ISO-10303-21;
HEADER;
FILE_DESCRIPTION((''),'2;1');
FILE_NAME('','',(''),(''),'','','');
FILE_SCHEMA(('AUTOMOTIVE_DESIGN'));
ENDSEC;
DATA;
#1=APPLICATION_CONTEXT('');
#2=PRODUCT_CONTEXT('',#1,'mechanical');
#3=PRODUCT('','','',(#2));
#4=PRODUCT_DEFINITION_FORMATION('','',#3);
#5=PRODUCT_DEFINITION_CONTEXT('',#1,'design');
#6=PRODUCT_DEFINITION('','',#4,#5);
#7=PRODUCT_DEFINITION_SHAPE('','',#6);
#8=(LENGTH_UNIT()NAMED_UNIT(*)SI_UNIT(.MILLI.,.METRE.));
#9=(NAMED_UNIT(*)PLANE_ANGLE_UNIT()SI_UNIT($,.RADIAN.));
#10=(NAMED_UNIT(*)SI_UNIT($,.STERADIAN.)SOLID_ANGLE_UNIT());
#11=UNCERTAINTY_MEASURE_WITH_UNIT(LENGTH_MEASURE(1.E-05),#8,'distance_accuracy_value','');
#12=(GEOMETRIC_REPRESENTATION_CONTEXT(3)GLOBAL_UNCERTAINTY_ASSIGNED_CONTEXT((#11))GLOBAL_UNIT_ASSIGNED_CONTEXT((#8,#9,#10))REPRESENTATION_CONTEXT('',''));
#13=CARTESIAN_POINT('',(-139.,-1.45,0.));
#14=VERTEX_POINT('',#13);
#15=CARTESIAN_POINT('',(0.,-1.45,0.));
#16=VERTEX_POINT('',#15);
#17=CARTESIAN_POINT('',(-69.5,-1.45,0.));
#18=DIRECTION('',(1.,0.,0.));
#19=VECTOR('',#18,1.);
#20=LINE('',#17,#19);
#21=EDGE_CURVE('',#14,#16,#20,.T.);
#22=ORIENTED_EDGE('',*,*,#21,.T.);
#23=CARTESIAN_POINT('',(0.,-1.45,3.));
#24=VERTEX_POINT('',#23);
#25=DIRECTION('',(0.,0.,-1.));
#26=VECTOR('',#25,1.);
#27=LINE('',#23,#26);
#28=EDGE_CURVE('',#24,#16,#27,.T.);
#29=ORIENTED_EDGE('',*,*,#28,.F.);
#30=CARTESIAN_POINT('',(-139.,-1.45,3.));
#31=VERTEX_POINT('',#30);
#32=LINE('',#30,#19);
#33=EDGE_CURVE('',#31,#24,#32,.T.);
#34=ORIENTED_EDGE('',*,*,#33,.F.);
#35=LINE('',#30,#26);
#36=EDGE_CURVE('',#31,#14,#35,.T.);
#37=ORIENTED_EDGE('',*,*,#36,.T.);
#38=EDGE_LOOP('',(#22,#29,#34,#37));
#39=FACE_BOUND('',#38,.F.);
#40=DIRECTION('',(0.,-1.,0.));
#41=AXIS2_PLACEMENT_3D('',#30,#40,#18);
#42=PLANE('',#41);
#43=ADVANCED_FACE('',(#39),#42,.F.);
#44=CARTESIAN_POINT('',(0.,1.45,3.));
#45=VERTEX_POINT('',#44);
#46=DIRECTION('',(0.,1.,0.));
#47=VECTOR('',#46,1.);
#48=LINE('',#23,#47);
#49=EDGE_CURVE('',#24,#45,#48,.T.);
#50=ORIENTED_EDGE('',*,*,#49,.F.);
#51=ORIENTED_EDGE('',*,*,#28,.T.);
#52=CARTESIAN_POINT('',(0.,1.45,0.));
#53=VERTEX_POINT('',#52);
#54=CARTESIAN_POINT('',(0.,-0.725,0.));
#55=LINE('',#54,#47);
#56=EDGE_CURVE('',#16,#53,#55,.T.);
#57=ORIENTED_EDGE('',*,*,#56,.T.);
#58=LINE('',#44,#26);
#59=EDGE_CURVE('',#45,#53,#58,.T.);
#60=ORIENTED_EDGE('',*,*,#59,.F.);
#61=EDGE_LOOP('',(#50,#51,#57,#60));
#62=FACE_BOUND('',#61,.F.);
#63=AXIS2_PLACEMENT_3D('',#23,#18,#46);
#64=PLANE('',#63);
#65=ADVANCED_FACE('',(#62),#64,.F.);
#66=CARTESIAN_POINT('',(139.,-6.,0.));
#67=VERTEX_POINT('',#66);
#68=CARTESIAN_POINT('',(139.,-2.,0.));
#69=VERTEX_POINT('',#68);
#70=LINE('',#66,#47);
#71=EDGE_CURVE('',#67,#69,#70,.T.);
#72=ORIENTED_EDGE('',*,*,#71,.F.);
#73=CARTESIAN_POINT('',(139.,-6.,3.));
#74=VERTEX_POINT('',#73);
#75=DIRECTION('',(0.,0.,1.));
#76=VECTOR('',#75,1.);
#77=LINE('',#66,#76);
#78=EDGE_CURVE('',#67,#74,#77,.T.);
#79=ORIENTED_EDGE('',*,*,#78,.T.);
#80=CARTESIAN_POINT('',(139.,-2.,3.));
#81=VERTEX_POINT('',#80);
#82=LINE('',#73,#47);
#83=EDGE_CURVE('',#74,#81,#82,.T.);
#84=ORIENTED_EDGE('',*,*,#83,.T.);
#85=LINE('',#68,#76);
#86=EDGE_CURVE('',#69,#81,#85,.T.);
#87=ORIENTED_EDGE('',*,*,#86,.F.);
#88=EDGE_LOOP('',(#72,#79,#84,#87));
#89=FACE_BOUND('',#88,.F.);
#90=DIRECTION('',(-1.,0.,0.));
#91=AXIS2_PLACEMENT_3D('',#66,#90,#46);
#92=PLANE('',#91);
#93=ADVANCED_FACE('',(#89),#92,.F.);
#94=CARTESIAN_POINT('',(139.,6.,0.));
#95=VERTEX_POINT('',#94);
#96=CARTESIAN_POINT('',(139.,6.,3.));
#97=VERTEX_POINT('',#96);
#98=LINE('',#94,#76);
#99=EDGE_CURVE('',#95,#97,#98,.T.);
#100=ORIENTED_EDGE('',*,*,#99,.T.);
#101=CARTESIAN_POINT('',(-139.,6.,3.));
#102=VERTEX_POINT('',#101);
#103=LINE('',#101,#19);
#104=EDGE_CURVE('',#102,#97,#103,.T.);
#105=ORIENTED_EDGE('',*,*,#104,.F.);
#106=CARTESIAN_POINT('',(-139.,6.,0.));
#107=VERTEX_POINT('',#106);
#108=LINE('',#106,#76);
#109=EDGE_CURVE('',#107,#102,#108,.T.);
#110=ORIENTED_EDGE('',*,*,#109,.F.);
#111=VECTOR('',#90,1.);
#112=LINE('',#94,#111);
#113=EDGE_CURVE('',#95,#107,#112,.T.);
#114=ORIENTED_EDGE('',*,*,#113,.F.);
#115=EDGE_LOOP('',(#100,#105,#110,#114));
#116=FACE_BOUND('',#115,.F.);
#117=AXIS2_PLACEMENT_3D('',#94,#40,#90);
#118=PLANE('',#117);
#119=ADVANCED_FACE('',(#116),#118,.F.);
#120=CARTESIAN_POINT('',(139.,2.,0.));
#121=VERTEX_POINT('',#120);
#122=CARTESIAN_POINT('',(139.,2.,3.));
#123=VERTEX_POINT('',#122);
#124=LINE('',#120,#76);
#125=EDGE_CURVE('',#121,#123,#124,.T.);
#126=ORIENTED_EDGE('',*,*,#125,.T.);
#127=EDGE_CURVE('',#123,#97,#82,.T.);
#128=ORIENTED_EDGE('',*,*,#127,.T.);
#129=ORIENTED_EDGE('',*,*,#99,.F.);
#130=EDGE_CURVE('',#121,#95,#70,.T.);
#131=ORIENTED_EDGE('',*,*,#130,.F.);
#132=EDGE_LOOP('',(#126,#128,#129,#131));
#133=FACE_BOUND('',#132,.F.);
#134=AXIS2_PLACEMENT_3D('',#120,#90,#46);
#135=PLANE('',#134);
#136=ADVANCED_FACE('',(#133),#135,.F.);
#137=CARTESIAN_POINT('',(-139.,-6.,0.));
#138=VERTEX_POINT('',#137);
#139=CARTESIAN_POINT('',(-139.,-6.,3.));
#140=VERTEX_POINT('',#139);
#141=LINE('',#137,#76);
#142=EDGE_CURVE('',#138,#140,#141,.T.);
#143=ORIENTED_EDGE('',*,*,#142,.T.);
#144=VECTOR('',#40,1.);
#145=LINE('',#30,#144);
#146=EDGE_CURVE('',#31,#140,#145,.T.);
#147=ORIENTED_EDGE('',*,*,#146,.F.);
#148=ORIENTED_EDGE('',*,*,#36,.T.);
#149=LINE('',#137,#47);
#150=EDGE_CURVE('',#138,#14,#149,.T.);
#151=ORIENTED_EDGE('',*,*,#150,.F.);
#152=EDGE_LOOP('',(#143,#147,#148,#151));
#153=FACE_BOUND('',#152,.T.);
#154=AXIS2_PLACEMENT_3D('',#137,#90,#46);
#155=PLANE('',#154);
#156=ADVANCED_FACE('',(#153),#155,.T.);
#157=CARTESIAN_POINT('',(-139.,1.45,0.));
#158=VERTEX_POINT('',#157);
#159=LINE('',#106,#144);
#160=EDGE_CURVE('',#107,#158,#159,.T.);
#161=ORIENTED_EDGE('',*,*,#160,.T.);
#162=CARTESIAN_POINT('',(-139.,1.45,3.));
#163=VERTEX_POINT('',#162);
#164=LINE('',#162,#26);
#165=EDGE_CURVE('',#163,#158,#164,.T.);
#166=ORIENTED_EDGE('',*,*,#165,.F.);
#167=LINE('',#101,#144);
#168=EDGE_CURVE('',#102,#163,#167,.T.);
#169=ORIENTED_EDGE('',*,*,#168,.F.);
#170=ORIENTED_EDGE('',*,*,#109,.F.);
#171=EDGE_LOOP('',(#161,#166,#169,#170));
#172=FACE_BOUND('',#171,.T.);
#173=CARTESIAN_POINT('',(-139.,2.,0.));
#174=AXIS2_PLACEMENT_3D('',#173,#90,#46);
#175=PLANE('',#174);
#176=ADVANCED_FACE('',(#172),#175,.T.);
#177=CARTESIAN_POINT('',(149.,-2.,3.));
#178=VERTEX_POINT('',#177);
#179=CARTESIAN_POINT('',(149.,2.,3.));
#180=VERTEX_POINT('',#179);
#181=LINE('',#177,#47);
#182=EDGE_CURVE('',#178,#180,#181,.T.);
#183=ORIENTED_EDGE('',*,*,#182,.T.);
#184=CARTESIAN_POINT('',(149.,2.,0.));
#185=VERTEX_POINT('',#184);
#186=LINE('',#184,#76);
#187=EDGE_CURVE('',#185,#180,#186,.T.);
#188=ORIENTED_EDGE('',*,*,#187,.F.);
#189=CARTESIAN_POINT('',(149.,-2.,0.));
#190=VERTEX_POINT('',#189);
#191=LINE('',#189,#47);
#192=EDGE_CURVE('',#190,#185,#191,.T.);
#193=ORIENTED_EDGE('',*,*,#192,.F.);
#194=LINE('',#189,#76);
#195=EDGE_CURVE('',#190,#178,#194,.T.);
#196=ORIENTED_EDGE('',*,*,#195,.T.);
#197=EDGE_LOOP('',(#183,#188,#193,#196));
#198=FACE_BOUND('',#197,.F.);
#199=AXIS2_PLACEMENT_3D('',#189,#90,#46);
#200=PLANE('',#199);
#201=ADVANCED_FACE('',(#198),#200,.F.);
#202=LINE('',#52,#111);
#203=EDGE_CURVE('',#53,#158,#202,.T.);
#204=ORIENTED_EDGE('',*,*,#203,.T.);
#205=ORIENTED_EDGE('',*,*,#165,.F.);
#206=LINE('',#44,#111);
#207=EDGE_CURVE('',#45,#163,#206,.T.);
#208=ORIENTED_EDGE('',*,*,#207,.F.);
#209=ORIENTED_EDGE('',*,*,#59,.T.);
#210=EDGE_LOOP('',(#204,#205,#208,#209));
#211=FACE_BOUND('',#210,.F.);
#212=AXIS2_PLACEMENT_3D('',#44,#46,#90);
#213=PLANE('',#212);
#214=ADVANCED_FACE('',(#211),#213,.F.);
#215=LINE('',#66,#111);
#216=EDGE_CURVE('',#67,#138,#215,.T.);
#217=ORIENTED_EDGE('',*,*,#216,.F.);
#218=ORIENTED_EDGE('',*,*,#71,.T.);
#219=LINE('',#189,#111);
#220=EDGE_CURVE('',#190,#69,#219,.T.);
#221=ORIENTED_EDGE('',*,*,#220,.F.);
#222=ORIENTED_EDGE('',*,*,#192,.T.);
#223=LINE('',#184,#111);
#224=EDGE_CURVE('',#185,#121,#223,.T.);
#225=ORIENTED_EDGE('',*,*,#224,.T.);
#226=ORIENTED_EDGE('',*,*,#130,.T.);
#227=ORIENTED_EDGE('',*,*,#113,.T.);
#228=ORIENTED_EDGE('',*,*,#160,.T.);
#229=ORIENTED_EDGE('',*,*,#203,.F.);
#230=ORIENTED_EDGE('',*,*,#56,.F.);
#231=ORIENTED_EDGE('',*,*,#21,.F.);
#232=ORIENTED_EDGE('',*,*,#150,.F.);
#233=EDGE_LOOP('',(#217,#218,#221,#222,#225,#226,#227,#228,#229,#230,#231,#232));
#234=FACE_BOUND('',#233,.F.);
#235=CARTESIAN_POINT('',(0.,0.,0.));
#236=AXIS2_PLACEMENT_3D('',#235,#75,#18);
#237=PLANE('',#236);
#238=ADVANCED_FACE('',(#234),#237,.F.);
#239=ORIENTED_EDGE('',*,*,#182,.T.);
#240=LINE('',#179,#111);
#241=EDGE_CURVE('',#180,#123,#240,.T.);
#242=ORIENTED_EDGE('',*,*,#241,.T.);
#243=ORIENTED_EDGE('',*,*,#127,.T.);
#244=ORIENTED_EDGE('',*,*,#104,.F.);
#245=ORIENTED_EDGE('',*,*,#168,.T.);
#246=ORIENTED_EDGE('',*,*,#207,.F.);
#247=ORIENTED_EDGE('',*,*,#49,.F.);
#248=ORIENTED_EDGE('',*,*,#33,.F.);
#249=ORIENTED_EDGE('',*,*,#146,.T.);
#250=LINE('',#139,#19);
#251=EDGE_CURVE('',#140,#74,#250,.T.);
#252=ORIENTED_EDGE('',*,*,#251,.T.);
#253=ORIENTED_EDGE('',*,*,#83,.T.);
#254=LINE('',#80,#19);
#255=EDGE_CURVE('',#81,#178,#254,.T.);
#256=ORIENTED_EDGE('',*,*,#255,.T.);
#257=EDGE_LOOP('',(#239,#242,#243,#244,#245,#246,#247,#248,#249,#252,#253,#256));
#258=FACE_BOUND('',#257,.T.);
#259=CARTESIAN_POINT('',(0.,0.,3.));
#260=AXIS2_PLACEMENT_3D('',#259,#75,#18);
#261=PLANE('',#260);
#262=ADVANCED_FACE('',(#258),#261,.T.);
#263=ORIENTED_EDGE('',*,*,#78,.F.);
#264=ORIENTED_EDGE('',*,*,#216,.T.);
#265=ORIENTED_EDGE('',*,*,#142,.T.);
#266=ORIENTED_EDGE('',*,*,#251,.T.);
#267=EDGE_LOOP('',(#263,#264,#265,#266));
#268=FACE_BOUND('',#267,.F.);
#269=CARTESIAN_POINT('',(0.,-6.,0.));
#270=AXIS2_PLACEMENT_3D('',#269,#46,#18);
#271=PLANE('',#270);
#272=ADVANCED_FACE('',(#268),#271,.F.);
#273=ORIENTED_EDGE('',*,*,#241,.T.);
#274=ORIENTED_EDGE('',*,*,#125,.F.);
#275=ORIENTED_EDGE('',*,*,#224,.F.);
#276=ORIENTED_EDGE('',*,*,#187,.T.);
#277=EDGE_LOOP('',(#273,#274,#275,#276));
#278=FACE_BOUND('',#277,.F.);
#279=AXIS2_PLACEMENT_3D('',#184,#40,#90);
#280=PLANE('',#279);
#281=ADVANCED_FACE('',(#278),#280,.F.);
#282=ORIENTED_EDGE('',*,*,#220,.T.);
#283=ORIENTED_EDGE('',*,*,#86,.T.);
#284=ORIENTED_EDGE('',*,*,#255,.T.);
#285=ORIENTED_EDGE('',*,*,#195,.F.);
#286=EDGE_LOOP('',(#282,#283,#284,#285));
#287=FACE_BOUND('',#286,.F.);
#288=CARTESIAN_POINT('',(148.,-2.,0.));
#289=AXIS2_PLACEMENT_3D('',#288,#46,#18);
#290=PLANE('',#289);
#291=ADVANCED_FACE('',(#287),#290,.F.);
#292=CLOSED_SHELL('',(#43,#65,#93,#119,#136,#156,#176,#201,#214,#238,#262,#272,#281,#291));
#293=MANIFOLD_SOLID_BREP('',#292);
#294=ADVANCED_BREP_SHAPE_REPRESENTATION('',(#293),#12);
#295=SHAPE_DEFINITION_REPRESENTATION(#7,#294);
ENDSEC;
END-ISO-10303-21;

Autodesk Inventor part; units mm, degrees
ref_plane "YZ Plane" through (0, 0, 0) normal (1, 0, 0) x (0, 1, 0)
ref_plane "XY Plane" through (0, 0, 0) normal (0, 0, 1) x (1, 0, 0)
sketch "草圖1" plane through (0, 0, 0) normal (0, 0, 1) x (1, 0, 0)
  line L0 (0, 6) -> (0, -6)
  line L1 (0, -6) -> (-139, -6)
  line L2 (-139, -6) -> (-139, 6)
  line L3 (-149, 2) -> (-139, 2)
  line L4 (-139, 2) -> (-139, -2)
  line L5 (-139, -2) -> (-149, -2)
  line L6 (-149, -2) -> (-149, 2)
  line L7 (0, -9.6) -> (0, 15.6)
  line L8 (-148, -2) -> (-139, -2)
  line L9 (-139, -2) -> (-139, -6)
  line L10 (-139, 6) -> (-139, -2)
  line L11 (-139, -2) -> (-148, -2)
  line L12 (-139, 6) -> (0, 6)
  line L13 (139, -6) -> (139, 6)
  line L14 (139, 6) -> (139, -2)
  line L15 (139, -2) -> (139, -6)
  line L16 (139, -2) -> (148, -2)
  line L17 (149, 2) -> (139, 2)
  line L18 (148, -2) -> (139, -2)
  line L19 (139, -2) -> (149, -2)
  line L20 (149, -2) -> (149, 2)
  line L21 (139, 2) -> (139, -2)
  line L22 (0, -6) -> (139, -6)
  line L23 (139, 6) -> (0, 6)
  point P0 (0, 0)
  point P1 (0, 0)
  point P2 (0, 0)
  point P3 (-139, 6)
  point P4 (-139, -2)
  point P5 (-148, 2)
  point P6 (139, -2)
  point P7 (139, 6)
  point P8 (139, 6)
  point P9 (139, -2)
  point P10 (139, -2)
  dimension "d0" = 10
  dimension "d1" = 139
  dimension "d2" = 4
  dimension "d6" = 6
  dimension "d7" = 6
  dimension "d8" = 8
  dimension "d9" = 4
  dimension "d14" = 12
extrude "擠出1" add sketch "草圖1" along normal blind 3
ref_plane "工作平面1" through (0, 0, 1.5) normal (0, 0, -1) x (-1, 0, 0)
sketch "草圖3" plane through (0, 0, 3) normal (0, 0, 1) x (1, 0, 0)
  line L0 (0, 1.45) -> (-139, 1.45)
  line L1 (-139, 1.45) -> (-139, -1.45)
  line L2 (-139, -1.45) -> (0, -1.45)
  line L3 (0, -1.45) -> (0, 1.45)
  line L4 (-139, -2) -> (-139, -6) projected
  line L5 (-139, 6) -> (-139, 2) projected
  line L6 (-149, -2) -> (-139, -2) projected
  line L7 (-139, 2) -> (-149, 2)
  line L8 (-149, 2) -> (-149, -2)
  line L9 (-149, -2) -> (-139, -2)
  line L10 (-139, -2) -> (-139, 2)
  point P0 (0, 0)
  point P1 (0, 0)
  dimension "d15" = 2.9
extrude "擠出3" cut sketch "草圖3" against normal blind 10
equation "\"d9\" = -0.5 * d2 + 0.5 * d14"
properties part number "rod_5"
